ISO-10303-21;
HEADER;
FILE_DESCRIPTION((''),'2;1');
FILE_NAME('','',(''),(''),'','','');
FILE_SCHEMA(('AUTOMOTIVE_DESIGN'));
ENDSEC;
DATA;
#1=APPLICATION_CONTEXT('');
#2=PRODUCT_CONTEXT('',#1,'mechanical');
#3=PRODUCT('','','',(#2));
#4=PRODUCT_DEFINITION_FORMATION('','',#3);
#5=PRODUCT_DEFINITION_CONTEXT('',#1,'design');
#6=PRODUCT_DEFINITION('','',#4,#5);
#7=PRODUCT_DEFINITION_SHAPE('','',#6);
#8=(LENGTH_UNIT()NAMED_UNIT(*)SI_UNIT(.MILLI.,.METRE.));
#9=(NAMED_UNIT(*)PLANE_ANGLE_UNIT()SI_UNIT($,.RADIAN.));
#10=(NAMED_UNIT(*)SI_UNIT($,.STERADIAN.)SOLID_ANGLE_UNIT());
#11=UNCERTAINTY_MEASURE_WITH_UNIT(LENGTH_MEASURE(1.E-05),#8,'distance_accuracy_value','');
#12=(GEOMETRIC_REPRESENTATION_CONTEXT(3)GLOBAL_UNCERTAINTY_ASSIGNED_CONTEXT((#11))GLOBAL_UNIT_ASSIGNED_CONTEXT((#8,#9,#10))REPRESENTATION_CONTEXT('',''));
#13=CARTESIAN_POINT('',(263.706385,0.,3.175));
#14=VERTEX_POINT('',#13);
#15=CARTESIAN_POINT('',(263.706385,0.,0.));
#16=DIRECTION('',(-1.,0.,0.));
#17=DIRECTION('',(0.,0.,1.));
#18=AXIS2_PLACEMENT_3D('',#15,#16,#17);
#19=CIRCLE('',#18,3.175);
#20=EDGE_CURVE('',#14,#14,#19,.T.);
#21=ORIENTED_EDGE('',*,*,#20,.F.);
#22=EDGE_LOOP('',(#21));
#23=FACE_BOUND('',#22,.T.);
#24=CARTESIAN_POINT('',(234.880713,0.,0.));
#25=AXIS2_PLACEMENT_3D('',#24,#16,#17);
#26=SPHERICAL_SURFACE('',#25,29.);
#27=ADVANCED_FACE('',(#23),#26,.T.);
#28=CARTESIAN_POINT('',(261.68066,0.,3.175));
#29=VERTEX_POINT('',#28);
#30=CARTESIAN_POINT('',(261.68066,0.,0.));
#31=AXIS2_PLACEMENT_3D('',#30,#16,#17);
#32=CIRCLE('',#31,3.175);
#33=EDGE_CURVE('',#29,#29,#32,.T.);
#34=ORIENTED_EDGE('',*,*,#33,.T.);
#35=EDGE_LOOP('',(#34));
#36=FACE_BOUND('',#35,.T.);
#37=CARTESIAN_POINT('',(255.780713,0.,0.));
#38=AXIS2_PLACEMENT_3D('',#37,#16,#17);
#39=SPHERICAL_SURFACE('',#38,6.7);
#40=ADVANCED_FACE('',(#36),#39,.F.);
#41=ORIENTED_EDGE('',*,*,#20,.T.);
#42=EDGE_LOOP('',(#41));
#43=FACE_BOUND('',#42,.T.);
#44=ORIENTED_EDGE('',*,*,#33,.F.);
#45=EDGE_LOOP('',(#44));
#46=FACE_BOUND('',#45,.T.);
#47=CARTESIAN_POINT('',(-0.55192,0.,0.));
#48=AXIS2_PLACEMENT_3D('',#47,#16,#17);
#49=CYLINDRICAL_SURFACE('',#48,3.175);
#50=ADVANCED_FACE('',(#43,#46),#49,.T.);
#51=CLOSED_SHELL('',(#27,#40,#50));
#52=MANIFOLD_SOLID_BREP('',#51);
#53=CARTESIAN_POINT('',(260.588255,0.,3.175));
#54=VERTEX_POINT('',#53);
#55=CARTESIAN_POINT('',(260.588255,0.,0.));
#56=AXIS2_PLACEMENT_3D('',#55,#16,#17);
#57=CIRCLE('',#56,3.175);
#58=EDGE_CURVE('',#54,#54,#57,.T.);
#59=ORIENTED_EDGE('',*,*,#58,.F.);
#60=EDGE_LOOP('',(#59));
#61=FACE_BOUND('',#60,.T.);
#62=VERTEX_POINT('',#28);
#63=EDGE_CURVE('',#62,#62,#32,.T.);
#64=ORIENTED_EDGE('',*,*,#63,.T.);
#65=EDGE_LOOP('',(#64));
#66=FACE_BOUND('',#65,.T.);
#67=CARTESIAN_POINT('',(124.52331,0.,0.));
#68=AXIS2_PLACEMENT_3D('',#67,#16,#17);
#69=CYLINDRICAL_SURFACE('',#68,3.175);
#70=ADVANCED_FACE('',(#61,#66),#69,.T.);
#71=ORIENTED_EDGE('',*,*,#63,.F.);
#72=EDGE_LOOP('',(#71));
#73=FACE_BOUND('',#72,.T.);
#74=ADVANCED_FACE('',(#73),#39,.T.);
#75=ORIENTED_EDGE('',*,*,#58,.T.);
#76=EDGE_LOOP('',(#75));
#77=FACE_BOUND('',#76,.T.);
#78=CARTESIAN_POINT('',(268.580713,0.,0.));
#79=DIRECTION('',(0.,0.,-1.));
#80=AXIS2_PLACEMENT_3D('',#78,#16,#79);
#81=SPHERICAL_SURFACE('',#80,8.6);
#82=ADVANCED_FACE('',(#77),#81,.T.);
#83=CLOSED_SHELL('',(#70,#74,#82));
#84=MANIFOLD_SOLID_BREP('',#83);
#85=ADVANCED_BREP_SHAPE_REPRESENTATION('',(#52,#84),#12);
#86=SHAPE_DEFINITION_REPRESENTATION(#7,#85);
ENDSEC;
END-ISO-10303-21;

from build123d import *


with BuildPart() as part:
    # 草图1 one side → 旋转1 (revolve)
    with BuildSketch(Plane(origin=(0, 0, 0), x_dir=(1, 0, 0), z_dir=(0, 1, 0)), mode=Mode.PRIVATE) as revolve_1_sk:
        with BuildLine():
            ThreePointArc((260.588255373, 3.175), (260.133963869, 1.616302341), (259.980712755, 0))
            Line((259.980712755, 0), (262.480712755, 0))
            ThreePointArc((262.480712755, 0), (262.277621447, 1.637124747), (261.680659788, 3.175))
            Line((261.680659788, 3.175), (260.588255373, 3.175))
        make_face()
    revolve(revolve_1_sk.sketch.rotate(Axis((124.523309526, 0, 0), (1, 0, 0)), 180), axis=Axis((124.523309526, 0, 0), (1, 0, 0)))  # turned: the seam where the file's is


with BuildPart() as body_2:
    # 草图2 one side → 旋转3 (revolve)
    with BuildSketch(Plane(origin=(0, 0, 0), x_dir=(1, 0, 0), z_dir=(0, 1, 0)), mode=Mode.PRIVATE) as revolve_3_sk:
        with BuildLine():
            Line((263.706384906, 3.175), (261.680659788, 3.175))
            ThreePointArc((261.680659788, 3.175), (262.277621447, 1.637124747), (262.480712755, 0))
            Line((262.480712755, 0), (263.880712755, 0))
            ThreePointArc((263.880712755, 0), (263.837097995, 1.589891128), (263.706384906, 3.175))
        make_face()
    revolve(revolve_3_sk.sketch.rotate(Axis((-0.551919993, 0, 0), (1, 0, 0)), 180), axis=Axis((-0.551919993, 0, 0), (1, 0, 0)))  # turned: the seam where the file's is


solid = Compound([part.part, body_2.part])
